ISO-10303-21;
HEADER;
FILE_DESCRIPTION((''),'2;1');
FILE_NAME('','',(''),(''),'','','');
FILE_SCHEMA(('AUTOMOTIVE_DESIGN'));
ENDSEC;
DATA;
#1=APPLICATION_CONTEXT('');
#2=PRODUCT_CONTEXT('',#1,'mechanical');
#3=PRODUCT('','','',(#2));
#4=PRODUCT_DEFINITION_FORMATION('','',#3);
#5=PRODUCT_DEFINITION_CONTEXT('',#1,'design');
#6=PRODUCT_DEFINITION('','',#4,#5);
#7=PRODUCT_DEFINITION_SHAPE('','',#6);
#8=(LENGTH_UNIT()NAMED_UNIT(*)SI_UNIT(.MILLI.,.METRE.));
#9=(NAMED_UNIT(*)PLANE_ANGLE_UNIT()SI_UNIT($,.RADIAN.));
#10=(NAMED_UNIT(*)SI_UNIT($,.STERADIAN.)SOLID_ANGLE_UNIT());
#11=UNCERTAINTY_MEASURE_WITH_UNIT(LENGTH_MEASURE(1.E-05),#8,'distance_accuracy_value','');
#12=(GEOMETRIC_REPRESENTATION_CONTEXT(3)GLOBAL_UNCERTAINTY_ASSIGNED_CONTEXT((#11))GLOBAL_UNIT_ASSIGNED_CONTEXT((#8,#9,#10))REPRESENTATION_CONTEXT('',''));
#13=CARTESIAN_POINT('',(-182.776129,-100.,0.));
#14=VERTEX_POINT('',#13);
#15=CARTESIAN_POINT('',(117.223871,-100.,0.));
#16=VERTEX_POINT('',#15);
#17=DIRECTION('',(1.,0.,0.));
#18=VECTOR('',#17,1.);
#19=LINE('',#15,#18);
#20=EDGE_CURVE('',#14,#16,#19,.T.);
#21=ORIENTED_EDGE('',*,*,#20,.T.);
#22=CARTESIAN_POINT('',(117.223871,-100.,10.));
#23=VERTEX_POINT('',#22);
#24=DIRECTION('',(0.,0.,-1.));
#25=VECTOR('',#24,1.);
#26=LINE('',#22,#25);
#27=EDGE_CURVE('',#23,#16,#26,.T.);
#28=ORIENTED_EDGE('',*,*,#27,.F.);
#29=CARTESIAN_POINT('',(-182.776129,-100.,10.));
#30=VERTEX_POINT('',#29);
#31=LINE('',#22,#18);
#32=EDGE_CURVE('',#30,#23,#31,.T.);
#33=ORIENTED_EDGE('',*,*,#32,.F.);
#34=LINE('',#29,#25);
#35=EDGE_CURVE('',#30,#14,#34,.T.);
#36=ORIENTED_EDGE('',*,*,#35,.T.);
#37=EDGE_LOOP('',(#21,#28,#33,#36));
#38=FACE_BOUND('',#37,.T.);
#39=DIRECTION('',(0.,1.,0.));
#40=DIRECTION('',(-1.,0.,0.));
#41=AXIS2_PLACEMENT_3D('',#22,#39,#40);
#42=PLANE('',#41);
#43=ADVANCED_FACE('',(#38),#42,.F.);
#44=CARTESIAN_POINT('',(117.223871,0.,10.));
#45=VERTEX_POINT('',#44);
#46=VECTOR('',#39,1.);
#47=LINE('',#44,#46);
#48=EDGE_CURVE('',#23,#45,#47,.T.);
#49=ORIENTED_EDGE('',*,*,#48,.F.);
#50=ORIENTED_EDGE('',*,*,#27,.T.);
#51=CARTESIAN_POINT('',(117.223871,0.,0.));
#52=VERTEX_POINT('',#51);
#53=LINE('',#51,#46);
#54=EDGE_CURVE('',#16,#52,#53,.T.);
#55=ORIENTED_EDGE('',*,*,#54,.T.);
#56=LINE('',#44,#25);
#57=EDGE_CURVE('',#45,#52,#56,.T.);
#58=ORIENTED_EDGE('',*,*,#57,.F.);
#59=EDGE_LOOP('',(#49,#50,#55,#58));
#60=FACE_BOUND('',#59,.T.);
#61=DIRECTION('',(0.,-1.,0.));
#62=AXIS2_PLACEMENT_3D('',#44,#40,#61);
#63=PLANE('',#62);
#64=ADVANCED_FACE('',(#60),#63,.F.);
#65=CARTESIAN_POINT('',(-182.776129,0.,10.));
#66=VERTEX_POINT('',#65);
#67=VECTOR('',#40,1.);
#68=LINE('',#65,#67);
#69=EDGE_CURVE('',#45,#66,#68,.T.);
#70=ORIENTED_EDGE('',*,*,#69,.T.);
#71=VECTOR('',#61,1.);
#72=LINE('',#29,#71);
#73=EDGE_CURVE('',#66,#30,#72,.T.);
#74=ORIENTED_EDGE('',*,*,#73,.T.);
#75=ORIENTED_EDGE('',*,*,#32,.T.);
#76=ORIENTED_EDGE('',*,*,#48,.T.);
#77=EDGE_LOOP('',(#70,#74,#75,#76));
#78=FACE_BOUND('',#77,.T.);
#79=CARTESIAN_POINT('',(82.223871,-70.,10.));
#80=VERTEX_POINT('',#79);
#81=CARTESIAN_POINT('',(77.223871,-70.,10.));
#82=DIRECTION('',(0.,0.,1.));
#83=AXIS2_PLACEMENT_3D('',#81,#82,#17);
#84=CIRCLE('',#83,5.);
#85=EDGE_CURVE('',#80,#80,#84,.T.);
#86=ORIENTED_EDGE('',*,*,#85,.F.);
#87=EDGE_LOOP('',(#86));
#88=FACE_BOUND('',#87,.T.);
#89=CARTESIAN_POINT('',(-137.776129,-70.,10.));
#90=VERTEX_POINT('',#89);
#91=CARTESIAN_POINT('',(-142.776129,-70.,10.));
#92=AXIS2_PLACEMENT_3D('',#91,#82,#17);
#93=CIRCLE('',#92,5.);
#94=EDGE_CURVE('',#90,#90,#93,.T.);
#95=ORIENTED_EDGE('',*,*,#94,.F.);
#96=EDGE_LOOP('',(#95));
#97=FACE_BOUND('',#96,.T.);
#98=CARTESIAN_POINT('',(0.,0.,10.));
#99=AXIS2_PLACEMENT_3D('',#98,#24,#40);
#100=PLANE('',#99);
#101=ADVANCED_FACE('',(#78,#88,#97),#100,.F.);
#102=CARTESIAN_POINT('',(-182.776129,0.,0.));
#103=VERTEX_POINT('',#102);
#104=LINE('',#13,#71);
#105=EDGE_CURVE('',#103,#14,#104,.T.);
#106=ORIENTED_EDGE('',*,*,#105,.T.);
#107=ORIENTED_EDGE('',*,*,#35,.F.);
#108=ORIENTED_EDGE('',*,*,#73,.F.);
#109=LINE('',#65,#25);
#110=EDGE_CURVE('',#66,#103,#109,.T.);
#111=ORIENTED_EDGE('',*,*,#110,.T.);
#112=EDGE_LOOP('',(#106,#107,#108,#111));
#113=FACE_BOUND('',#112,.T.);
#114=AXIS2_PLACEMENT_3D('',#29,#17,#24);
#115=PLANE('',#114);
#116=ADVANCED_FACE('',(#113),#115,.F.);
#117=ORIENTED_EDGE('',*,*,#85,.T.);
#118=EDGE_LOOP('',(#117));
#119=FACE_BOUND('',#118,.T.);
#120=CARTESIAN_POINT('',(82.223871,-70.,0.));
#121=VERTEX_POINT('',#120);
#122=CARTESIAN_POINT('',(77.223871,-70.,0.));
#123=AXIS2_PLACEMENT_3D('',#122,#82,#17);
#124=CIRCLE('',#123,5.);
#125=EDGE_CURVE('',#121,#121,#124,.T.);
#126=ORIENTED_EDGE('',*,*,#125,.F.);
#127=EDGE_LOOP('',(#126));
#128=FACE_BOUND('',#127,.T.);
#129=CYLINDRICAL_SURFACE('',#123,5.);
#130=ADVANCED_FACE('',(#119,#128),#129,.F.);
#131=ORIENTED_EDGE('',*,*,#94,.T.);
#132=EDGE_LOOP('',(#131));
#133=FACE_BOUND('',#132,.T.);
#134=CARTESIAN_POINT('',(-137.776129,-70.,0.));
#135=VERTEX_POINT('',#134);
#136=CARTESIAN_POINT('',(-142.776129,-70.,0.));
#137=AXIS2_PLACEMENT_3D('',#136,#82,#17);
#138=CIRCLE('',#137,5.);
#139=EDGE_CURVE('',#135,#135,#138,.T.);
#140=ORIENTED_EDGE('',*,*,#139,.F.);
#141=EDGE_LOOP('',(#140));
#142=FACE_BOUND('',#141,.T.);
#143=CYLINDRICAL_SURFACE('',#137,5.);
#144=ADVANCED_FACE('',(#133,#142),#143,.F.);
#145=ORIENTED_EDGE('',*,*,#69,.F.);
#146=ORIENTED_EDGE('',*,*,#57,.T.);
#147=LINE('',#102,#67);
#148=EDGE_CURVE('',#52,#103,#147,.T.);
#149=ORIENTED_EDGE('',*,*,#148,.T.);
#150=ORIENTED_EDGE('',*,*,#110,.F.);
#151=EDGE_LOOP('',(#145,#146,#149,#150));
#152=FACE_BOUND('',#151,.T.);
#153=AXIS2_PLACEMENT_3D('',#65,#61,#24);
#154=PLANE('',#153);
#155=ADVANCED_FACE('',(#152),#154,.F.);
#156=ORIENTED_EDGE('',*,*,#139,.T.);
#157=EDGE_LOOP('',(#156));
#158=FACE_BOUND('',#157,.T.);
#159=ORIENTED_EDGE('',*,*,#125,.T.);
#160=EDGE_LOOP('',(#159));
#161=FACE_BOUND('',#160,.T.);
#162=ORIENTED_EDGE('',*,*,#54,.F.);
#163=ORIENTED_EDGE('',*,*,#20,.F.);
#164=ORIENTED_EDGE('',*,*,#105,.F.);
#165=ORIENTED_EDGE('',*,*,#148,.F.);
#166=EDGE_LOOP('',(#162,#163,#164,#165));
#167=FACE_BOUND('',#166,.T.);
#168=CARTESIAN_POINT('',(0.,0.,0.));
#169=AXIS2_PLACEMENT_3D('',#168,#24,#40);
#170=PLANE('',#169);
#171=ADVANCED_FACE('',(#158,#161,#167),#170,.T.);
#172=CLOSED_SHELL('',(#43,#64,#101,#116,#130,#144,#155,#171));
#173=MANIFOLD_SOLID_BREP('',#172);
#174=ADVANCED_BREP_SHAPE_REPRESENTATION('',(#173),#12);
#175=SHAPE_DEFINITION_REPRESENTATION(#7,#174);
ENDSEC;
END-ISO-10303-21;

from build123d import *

# Parameters (mm, degrees)
ESQUISSE1_W             = 300
ESQUISSE1_H             = 100
BOSS_EXTRU_1_DEPTH      = 10
ESQUISSE2_R             = 5
ENL_V_MAT_EXTRU_1_DEPTH = 10


with BuildPart() as part:
    # Esquisse1 → Boss.-Extru.1 (new body)
    with BuildSketch(Plane.XY):
        with Locations((-32.77612873, -50)):
            Rectangle(ESQUISSE1_W, ESQUISSE1_H)
    extrude(amount=BOSS_EXTRU_1_DEPTH)

    # Esquisse2 → Enlèv. mat.-Extru.1 (cut)
    with BuildSketch(Plane.XY.offset(10)):
        with Locations((-142.77612873, -70)):
            Circle(ESQUISSE2_R)
        with Locations((77.22387127, -70)):
            Circle(ESQUISSE2_R)
    extrude(amount=-ENL_V_MAT_EXTRU_1_DEPTH, mode=Mode.SUBTRACT)


solid = part.part
